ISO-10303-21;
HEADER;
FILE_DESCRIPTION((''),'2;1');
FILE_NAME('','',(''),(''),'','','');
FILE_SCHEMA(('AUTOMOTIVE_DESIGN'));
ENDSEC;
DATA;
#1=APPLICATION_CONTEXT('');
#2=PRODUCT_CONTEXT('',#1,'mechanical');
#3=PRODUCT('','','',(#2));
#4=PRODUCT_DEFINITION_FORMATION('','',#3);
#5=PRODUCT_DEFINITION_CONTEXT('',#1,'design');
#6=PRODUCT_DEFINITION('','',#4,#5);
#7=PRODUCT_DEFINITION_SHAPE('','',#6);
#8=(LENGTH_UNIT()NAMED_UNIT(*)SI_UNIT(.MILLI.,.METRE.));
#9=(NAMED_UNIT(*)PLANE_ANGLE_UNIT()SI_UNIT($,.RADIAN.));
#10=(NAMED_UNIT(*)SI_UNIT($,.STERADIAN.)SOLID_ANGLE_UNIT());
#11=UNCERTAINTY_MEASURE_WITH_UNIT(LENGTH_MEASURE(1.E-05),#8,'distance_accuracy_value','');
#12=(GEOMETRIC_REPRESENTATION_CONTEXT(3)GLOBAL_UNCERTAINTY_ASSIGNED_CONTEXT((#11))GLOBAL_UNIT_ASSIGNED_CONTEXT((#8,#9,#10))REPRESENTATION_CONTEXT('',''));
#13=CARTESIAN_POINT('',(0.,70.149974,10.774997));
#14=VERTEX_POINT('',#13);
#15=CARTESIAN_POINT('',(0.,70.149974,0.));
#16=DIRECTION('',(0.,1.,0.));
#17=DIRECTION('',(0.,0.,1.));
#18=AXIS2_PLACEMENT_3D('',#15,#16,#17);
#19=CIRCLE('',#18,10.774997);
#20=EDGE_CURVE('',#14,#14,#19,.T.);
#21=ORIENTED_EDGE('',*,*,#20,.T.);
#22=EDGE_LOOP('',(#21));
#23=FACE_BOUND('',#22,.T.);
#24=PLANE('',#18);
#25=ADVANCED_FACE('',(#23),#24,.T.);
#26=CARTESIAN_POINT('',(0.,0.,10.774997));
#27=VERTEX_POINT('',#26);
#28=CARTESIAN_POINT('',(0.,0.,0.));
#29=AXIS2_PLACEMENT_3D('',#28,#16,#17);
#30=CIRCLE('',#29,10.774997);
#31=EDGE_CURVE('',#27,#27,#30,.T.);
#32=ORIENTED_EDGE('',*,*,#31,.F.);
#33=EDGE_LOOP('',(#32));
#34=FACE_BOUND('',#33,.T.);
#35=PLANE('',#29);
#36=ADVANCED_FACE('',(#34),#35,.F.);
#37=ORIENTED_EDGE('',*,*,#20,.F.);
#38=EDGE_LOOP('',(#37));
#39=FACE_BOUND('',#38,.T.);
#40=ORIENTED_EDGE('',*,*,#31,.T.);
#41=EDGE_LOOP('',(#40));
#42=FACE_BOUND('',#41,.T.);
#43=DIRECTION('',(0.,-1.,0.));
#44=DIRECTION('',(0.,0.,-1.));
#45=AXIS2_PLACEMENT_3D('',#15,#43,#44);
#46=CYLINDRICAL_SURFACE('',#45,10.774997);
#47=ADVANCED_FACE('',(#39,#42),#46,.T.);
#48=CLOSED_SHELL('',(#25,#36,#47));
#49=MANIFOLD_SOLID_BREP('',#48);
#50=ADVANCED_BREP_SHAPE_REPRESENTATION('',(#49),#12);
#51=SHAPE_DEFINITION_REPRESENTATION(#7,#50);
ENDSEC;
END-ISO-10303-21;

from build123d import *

# Parameters (mm, degrees)
SKETCH1_R           = 10.7749975
BOSS_EXTRUDE1_DEPTH = 70.149974


with BuildPart() as part:
    # Sketch1 → Boss-Extrude1 (new body)
    with BuildSketch(Plane(origin=(0, 0, 0), x_dir=(1, 0, 0), z_dir=(0, 1, 0))):
        with Locations(Location((0, 0, 0), (0, 0, 270))):
            Circle(SKETCH1_R)
    extrude(amount=BOSS_EXTRUDE1_DEPTH)


solid = part.part
